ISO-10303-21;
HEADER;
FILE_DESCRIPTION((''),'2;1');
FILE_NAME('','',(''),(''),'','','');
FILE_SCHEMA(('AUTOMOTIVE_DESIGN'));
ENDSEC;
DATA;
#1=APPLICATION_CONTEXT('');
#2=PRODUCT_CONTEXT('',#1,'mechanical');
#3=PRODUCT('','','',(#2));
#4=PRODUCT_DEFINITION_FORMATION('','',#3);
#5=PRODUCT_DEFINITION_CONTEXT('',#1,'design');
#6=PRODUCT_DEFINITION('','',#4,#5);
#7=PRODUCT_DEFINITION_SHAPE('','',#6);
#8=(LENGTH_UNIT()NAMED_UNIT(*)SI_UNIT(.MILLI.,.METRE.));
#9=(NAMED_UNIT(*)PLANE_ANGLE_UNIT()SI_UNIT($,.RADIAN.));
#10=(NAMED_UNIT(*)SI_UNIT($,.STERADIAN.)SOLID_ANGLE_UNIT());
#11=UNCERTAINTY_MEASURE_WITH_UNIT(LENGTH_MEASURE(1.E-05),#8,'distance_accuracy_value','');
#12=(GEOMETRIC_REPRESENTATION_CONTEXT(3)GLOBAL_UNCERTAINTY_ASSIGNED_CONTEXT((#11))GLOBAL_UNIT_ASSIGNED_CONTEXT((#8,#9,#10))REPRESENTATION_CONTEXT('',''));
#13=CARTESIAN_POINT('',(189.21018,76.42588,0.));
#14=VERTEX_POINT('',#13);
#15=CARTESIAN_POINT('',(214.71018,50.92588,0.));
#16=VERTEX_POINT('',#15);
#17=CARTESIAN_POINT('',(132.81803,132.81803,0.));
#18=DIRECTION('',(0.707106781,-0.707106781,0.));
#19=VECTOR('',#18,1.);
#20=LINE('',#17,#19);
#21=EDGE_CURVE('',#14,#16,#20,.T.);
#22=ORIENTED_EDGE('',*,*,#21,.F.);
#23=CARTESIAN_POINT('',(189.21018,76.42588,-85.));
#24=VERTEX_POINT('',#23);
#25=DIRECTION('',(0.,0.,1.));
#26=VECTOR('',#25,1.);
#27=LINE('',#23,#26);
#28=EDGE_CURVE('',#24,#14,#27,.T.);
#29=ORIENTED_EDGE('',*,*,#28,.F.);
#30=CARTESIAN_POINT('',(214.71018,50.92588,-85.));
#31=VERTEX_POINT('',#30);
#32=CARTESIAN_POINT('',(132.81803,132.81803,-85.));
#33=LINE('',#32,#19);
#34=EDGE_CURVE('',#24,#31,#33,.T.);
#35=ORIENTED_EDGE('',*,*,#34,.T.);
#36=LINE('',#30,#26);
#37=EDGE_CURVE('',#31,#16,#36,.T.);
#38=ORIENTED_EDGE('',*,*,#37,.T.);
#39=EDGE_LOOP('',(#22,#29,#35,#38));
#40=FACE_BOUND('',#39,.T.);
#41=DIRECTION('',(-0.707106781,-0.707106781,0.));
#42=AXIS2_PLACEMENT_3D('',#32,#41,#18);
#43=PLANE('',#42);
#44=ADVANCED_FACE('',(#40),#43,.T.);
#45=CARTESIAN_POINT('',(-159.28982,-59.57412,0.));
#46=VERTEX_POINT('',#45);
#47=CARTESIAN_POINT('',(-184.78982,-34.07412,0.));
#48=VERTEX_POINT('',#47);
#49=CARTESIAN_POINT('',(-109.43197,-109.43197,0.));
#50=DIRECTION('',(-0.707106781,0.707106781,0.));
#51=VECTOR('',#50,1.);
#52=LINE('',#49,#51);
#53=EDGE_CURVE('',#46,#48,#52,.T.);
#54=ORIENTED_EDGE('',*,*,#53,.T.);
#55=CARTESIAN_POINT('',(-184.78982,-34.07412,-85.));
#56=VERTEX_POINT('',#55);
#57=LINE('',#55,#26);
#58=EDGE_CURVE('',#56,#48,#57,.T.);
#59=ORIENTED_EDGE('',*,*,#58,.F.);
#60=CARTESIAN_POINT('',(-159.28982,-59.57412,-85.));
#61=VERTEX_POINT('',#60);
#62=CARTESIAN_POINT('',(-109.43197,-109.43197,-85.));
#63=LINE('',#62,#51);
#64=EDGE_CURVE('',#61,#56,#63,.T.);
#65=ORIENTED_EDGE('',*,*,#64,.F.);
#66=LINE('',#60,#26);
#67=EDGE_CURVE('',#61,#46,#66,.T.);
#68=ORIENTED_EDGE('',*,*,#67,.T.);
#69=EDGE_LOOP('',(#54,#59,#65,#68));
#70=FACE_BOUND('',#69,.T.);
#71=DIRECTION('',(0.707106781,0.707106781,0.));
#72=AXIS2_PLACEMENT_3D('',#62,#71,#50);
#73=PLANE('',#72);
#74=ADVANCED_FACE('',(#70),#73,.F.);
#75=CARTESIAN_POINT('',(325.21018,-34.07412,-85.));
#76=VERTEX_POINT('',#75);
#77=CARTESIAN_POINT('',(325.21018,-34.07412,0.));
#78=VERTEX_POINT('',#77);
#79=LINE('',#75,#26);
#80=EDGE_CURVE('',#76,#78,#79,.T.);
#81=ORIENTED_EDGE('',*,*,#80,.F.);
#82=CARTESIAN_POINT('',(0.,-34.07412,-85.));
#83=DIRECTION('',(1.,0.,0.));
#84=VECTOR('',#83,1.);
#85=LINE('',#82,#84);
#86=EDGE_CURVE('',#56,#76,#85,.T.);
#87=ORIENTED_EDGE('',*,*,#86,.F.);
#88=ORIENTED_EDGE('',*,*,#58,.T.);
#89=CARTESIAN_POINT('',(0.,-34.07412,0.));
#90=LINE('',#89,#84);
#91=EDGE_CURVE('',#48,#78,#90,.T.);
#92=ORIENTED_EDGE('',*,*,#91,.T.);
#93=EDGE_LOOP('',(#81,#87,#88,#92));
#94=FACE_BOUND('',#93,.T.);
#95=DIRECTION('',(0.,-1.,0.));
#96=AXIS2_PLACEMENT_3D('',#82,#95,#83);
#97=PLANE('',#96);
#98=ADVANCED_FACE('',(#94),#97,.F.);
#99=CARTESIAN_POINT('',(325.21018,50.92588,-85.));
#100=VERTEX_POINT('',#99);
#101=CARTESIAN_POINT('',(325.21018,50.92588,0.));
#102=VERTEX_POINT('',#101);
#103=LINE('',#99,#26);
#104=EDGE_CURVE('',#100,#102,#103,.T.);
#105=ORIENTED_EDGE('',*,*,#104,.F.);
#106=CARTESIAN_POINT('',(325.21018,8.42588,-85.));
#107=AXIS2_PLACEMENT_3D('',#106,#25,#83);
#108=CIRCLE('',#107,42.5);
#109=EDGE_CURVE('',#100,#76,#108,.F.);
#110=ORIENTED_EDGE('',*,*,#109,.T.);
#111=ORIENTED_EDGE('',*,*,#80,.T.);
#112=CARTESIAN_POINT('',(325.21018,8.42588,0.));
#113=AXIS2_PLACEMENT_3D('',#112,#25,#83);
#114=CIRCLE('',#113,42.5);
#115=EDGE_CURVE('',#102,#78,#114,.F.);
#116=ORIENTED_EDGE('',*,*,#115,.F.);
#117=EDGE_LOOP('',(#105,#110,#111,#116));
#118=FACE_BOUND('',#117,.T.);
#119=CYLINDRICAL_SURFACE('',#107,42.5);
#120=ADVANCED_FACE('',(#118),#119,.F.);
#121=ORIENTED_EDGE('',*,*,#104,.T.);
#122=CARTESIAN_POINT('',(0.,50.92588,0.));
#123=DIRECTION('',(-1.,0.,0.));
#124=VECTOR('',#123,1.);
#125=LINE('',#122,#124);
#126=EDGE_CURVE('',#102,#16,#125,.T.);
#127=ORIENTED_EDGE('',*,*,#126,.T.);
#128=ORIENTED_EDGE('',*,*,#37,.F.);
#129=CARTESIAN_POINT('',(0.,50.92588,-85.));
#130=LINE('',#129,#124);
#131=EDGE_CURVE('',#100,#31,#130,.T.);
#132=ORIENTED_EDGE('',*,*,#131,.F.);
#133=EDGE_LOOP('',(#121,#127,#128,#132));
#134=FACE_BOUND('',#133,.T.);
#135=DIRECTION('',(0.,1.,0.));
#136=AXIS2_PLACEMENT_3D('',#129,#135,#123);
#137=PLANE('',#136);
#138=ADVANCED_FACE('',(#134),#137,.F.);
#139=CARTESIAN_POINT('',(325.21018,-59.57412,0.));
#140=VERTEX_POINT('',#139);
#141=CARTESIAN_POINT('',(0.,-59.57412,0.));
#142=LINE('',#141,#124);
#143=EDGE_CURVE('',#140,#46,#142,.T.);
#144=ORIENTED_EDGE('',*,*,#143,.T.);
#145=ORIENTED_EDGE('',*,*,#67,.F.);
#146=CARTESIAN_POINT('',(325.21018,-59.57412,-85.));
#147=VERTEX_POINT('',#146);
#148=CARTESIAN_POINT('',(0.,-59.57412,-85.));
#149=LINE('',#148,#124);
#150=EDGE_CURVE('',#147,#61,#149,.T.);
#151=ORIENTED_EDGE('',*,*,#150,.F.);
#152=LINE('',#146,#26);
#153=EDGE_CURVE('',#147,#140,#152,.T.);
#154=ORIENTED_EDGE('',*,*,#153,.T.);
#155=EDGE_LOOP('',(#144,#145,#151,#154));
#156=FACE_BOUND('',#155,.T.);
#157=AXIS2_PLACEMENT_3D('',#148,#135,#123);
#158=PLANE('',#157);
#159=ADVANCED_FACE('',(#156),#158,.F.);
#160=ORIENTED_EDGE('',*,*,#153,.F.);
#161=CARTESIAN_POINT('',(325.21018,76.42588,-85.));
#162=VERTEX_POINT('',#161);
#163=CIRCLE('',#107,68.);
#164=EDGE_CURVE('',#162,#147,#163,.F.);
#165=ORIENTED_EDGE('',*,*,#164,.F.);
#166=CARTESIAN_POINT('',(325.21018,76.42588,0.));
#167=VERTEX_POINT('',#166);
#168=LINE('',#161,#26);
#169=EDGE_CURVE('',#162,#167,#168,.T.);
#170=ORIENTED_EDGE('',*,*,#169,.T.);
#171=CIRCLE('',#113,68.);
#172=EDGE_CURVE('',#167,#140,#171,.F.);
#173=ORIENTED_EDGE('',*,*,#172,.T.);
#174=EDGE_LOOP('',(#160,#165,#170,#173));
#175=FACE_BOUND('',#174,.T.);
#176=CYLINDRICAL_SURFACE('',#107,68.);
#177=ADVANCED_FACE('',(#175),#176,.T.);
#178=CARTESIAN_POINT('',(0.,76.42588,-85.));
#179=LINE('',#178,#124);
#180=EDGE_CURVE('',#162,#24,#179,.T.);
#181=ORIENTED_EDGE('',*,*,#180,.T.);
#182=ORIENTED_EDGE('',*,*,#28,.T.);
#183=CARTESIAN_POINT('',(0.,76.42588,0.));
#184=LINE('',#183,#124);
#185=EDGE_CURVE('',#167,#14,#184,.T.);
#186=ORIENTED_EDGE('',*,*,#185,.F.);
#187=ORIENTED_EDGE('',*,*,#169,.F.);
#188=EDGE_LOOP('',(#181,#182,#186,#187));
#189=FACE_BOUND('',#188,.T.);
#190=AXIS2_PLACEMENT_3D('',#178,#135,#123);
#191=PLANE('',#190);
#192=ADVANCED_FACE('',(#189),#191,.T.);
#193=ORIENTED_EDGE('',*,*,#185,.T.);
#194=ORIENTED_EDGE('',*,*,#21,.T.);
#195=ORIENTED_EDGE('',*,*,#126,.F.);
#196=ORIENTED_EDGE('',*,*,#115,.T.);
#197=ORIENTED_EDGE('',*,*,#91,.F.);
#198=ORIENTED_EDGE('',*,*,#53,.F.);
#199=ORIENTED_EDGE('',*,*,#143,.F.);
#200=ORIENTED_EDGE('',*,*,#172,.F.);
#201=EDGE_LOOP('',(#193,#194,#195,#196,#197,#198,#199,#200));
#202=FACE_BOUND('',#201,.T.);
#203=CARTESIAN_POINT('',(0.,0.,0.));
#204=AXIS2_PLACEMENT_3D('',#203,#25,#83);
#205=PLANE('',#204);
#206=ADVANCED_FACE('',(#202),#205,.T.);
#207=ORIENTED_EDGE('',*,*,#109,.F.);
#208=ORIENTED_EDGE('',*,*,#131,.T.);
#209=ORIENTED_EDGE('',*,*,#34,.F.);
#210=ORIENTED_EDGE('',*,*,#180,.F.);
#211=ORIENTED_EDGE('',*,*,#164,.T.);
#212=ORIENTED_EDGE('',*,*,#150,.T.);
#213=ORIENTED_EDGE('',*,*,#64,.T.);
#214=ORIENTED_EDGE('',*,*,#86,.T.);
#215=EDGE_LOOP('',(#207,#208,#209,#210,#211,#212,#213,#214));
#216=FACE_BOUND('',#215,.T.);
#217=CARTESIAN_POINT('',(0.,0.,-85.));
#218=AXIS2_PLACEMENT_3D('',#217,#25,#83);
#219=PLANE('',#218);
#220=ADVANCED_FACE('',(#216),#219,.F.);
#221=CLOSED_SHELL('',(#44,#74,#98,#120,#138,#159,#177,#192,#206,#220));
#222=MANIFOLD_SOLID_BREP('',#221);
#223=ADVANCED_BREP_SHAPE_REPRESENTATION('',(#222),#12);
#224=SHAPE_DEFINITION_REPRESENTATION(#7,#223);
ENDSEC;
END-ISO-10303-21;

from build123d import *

# Parameters (mm, degrees)
EXTRUDE_1_DEPTH = 50
SCALE_1_SCALE   = 1.7


with BuildPart() as part:
    # 草图1 → 凸台-拉伸1 (new body)
    with BuildSketch(Plane.XY):
        with BuildLine():
            Line((111.300105962, 44.956400142), (126.300105962, 29.956400142))
            Line((126.300105962, 29.956400142), (191.300105962, 29.956400142))
            ThreePointArc((191.300105962, 29.956400142), (216.300105962, 4.956400142), (191.300105962, -20.043599858))
            Line((191.300105962, -20.043599858), (-108.699894038, -20.043599858))
            Line((-108.699894038, -20.043599858), (-93.699894038, -35.043599858))
            Line((-93.699894038, -35.043599858), (191.300105962, -35.043599858))
            ThreePointArc((191.300105962, -35.043599858), (231.300105962, 4.956400142), (191.300105962, 44.956400142))
            Line((191.300105962, 44.956400142), (111.300105962, 44.956400142))
        make_face()
    extrude(amount=-EXTRUDE_1_DEPTH)


with BuildPart() as part_1:
    # 缩放比例1: scaled about (0, 0, 0)
    add(part.part.scale(SCALE_1_SCALE))


solid = part_1.part
